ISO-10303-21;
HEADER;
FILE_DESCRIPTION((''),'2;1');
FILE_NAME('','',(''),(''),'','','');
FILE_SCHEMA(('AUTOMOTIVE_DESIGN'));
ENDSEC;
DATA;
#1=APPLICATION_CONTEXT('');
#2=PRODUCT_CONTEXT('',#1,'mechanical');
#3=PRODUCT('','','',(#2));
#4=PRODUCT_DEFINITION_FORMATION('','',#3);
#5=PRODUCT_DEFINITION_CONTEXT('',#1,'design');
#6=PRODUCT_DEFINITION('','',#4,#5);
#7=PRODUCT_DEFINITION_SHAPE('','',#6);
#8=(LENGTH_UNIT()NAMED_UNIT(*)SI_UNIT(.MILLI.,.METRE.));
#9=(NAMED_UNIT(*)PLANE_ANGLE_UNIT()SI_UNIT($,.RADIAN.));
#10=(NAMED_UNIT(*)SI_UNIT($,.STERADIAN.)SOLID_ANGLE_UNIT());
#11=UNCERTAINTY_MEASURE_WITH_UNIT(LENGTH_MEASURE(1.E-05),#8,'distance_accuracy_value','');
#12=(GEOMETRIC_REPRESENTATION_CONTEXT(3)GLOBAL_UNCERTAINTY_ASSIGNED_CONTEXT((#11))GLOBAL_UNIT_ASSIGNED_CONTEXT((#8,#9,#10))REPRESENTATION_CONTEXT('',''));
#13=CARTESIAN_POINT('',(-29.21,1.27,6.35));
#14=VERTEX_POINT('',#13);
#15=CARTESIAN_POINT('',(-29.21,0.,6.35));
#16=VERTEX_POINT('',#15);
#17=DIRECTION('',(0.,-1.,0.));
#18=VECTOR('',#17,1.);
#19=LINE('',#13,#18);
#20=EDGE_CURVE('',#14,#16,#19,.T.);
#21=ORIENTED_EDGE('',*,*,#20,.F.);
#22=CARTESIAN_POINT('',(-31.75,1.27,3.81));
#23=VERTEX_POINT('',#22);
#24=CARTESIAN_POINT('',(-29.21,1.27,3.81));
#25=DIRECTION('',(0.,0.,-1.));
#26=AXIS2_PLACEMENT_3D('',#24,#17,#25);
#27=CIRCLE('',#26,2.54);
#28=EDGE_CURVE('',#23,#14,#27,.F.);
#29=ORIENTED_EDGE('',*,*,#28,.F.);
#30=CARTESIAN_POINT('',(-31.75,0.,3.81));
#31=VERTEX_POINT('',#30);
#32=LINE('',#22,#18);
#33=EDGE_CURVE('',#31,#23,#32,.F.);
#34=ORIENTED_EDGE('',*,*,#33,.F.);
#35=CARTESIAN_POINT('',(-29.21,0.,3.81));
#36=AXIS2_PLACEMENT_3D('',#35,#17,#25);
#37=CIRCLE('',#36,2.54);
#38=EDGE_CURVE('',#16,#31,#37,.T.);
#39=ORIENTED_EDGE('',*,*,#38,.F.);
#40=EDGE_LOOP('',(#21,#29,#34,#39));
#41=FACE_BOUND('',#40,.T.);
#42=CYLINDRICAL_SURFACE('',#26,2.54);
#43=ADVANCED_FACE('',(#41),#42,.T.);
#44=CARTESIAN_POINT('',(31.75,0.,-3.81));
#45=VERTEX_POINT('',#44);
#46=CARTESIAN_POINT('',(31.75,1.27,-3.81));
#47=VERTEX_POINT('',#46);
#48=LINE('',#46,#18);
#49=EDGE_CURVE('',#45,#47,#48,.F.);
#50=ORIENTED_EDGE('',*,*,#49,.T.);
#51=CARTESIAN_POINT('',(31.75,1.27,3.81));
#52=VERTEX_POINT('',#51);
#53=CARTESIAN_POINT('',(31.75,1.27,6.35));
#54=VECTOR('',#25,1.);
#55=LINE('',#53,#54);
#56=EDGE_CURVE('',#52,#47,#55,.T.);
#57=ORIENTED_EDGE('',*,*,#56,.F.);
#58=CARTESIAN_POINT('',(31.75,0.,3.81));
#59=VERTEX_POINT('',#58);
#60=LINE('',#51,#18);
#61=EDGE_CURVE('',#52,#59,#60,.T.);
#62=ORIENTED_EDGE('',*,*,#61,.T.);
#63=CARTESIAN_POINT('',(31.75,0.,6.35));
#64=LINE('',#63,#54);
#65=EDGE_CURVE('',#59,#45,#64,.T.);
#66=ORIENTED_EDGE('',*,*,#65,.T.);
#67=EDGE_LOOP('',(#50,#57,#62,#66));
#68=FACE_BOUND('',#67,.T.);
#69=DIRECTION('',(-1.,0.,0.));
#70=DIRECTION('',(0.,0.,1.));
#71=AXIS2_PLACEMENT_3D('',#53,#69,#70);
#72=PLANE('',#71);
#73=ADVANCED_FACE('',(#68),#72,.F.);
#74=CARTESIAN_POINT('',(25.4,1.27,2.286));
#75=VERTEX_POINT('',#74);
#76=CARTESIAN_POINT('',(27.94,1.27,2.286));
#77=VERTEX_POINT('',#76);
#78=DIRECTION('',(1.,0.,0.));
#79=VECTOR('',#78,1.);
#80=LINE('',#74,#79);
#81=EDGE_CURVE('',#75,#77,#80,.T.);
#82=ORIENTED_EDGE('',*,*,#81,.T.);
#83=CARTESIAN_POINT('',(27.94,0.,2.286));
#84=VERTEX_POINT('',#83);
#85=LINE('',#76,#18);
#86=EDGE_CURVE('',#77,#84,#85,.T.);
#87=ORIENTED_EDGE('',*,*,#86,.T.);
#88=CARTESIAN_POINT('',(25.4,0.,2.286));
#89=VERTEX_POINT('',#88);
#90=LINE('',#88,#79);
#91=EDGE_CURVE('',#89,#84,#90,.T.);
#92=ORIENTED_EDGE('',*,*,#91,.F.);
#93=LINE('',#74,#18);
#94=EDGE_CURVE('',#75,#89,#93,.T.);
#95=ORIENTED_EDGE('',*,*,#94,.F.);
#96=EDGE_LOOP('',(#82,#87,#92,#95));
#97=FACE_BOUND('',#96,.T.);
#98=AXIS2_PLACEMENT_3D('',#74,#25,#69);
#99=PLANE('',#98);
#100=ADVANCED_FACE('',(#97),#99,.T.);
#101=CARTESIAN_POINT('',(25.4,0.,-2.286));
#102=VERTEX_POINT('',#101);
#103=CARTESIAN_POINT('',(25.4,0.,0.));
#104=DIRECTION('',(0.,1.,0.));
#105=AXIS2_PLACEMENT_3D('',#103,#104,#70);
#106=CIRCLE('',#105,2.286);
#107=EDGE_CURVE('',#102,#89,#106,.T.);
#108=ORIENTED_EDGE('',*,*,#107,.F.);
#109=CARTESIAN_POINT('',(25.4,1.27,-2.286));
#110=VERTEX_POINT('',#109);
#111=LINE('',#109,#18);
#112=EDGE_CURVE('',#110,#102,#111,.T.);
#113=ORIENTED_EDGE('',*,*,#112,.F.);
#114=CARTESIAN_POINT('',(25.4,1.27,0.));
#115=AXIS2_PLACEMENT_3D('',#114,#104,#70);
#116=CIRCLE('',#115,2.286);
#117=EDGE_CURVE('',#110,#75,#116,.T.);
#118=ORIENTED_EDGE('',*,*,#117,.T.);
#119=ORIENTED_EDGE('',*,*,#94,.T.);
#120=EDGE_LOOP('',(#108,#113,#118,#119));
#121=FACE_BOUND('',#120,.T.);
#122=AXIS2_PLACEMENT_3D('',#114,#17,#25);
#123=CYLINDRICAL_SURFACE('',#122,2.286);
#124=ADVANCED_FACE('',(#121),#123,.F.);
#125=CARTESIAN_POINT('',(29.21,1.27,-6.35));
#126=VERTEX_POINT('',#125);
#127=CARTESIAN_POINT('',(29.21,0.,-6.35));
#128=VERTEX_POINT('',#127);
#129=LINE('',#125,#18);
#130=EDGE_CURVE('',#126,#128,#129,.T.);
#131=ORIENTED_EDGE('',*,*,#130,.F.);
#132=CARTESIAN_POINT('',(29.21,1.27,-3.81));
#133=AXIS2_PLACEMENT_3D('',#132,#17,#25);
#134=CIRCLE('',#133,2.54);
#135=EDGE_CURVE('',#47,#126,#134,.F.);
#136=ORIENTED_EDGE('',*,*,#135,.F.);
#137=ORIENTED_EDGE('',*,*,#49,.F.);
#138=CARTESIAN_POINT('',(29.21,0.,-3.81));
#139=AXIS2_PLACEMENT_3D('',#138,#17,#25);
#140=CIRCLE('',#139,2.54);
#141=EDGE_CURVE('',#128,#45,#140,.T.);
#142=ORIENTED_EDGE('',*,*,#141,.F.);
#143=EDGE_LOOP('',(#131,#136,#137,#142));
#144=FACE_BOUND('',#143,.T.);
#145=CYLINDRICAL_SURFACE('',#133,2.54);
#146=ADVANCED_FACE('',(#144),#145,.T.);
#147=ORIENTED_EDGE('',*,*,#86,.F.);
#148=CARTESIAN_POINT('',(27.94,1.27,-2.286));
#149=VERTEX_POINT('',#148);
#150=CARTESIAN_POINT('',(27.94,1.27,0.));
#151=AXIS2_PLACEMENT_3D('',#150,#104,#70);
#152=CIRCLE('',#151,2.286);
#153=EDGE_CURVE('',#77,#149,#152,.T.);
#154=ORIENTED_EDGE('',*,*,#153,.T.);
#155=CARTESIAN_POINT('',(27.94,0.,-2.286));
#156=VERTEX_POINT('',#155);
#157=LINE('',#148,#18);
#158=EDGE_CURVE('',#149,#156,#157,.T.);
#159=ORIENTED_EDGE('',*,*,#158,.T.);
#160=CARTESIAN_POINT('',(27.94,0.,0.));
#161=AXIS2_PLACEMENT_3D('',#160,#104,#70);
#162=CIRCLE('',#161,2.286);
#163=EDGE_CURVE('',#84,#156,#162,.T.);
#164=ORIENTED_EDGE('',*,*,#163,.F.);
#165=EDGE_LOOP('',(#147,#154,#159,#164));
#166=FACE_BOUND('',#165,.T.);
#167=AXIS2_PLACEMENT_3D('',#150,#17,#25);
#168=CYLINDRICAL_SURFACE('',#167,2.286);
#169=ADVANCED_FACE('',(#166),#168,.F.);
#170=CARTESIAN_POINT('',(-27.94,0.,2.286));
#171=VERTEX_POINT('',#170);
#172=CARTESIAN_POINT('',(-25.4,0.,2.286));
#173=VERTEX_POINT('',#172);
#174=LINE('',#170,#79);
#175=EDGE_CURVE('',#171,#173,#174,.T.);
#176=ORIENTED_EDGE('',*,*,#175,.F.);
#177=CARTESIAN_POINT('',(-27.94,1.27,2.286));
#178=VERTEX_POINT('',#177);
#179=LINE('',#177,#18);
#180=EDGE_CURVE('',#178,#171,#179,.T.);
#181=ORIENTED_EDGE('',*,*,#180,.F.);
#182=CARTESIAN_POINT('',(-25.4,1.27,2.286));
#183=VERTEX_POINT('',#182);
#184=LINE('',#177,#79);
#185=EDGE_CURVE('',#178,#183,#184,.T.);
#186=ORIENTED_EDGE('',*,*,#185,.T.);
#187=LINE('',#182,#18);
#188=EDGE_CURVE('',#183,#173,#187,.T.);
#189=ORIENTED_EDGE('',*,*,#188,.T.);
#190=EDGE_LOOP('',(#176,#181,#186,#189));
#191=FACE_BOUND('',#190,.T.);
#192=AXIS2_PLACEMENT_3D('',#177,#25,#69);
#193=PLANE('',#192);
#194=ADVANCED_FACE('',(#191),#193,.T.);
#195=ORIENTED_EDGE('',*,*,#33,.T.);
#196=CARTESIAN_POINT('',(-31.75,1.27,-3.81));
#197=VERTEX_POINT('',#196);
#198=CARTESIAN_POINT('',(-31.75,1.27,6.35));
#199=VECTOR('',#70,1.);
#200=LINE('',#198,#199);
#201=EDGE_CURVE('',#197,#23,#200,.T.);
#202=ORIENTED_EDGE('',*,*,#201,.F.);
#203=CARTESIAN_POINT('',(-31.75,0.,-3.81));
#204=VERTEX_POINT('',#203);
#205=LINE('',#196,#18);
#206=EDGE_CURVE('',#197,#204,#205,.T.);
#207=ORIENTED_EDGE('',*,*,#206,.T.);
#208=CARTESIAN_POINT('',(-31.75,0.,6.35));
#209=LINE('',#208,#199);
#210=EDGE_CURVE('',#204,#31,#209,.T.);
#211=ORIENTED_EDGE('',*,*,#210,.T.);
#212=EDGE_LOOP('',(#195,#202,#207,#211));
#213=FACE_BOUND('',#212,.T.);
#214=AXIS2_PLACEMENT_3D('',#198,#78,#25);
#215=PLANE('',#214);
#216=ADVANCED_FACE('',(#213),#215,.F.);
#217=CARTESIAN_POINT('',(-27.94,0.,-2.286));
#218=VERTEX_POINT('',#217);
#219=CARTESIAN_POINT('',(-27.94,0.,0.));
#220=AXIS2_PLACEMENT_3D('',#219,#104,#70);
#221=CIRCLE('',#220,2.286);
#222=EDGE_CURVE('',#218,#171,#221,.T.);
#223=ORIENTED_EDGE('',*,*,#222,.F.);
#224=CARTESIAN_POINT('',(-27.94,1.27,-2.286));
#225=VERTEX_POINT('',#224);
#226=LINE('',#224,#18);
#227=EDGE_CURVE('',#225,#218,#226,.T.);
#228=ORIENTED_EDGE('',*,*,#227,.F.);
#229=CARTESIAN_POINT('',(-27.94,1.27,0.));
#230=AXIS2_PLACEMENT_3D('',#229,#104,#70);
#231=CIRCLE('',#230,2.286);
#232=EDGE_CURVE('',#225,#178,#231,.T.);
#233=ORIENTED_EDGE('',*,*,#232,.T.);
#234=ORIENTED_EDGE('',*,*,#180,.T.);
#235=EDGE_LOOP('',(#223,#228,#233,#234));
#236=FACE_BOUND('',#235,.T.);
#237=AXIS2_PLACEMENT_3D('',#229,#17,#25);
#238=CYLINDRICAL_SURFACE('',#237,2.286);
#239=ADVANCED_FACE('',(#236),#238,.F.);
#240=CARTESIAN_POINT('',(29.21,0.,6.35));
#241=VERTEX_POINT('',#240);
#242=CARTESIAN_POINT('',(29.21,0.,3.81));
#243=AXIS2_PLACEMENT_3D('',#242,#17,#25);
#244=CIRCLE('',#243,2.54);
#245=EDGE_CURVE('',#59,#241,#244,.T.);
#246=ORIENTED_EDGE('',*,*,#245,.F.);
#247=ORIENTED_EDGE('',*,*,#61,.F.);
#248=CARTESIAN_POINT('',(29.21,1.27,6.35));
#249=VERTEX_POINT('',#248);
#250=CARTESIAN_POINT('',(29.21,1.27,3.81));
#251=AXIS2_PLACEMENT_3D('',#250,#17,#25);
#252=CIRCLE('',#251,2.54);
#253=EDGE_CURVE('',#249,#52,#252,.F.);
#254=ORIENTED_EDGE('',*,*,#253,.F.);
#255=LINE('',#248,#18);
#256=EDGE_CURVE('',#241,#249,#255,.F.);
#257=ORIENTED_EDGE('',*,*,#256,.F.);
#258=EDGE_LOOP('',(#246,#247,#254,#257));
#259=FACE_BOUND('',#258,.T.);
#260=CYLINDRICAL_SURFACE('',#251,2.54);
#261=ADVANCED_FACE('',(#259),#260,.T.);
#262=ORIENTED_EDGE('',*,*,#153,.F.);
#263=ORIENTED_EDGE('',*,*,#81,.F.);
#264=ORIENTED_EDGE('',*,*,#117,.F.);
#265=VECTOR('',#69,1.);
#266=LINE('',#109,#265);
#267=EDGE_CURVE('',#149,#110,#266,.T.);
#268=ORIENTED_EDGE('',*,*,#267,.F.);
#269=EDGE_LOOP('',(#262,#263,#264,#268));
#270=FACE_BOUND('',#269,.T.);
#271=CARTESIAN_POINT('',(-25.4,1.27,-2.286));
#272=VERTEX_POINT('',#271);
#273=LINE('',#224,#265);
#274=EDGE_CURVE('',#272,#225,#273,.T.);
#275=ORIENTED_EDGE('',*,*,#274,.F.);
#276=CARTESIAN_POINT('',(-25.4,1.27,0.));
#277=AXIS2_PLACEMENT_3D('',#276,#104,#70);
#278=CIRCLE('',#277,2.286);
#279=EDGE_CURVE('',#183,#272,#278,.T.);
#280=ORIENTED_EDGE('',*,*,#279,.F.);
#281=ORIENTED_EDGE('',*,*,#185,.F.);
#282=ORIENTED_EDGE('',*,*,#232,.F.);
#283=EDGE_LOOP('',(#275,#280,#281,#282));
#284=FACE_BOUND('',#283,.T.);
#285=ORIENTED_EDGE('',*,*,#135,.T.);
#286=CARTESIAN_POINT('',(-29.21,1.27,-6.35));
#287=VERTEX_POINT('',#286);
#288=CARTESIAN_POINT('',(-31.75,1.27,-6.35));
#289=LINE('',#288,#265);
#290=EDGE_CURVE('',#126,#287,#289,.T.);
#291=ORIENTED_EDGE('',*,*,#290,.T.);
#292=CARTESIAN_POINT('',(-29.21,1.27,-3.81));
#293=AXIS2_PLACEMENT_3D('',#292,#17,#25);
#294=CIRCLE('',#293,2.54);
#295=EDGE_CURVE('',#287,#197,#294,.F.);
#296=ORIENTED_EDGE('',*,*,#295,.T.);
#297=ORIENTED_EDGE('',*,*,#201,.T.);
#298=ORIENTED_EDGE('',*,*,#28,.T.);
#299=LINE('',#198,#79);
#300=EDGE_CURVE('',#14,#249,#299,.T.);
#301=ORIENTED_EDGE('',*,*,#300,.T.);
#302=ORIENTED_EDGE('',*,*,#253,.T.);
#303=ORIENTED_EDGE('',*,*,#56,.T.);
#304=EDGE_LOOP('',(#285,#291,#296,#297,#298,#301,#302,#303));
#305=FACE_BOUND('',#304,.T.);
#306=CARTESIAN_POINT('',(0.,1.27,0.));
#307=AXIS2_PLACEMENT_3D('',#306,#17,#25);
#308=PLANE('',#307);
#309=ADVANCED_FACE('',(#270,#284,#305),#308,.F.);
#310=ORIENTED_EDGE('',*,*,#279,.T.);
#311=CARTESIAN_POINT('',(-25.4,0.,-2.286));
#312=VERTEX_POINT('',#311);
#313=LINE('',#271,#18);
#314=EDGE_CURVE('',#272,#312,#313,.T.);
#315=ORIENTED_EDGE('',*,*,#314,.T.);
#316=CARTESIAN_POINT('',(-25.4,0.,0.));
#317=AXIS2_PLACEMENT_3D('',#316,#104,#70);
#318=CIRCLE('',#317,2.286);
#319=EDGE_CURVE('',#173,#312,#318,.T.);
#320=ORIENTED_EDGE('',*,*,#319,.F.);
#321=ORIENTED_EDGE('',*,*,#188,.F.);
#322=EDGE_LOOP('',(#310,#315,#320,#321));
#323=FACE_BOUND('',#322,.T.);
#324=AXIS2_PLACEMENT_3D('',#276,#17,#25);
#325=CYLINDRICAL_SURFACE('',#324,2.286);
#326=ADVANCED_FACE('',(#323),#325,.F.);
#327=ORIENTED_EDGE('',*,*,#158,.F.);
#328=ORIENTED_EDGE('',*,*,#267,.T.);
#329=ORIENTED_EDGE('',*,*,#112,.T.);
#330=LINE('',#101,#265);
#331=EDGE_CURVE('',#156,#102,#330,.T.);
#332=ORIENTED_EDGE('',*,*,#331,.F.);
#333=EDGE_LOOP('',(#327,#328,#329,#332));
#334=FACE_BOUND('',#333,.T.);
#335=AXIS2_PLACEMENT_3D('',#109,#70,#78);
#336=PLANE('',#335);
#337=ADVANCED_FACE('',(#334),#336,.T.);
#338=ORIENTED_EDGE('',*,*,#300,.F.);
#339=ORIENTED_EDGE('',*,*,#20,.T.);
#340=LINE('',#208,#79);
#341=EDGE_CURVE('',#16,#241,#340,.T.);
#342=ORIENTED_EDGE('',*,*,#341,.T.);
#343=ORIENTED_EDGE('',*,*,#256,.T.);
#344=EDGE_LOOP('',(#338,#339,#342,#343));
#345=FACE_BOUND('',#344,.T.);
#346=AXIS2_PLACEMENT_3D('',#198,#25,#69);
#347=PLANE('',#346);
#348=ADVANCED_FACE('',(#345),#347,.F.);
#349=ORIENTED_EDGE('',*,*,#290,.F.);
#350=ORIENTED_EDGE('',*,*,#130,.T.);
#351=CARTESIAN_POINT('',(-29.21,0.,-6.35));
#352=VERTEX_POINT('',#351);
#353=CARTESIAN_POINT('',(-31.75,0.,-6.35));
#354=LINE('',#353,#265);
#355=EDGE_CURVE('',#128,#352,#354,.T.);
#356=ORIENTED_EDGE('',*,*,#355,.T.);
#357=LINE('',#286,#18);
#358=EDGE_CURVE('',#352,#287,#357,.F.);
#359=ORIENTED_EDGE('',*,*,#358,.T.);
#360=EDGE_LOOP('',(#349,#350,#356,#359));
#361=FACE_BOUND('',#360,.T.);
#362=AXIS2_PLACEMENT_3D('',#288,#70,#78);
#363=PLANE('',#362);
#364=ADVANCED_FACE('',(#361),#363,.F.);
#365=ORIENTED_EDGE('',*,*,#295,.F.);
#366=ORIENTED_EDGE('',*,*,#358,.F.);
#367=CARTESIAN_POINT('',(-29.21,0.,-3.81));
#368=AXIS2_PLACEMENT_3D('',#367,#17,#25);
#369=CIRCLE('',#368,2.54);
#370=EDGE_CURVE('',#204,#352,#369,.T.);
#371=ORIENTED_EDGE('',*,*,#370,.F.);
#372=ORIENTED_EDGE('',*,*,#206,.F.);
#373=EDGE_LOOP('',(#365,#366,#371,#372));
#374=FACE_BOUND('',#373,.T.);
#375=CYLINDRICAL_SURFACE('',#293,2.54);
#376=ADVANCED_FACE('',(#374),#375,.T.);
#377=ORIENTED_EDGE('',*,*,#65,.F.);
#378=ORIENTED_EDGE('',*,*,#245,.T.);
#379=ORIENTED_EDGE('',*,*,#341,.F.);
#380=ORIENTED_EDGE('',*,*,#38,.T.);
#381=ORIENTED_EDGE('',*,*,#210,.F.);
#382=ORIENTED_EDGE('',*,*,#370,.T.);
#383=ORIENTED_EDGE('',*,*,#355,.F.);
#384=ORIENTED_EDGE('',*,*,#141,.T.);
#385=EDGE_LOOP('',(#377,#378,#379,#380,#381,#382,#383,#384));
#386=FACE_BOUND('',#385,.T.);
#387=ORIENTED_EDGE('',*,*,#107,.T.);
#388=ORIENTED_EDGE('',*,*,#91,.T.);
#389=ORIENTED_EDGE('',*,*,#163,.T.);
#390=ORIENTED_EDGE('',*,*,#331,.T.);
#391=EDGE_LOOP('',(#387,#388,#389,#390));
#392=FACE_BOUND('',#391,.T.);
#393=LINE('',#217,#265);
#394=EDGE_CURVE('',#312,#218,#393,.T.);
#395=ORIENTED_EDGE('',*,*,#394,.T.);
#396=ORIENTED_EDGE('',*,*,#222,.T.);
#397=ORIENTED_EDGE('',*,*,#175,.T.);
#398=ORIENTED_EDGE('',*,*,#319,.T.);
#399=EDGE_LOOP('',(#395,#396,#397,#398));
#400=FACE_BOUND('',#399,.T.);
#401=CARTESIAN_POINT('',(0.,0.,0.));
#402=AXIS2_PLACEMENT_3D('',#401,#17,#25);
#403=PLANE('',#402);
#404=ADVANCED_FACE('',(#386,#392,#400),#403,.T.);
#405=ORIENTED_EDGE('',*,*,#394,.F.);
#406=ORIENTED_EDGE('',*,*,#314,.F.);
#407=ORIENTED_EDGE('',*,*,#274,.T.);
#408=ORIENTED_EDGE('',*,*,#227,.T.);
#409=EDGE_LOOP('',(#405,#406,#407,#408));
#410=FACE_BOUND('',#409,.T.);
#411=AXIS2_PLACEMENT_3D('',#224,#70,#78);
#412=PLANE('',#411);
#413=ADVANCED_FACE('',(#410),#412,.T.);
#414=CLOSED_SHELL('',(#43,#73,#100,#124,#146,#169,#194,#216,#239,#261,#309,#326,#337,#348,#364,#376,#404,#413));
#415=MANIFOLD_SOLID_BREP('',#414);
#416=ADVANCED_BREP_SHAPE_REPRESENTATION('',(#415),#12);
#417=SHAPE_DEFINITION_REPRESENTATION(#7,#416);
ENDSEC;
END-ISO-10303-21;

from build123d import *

# Parameters (mm, degrees)
SKETCH1_W           = 63.5
SKETCH1_H           = 12.7
BOSS_EXTRUDE1_DEPTH = 1.27
FILLET1_R           = 2.54


with BuildPart() as part:
    # Sketch1 → Boss-Extrude1 (new body)
    with BuildSketch(Plane(origin=(0, 0, 0), x_dir=(1, 0, 0), z_dir=(0, 1, 0))):
        Rectangle(SKETCH1_W, SKETCH1_H)
        with BuildLine():
            Line((25.4, 2.286), (27.94, 2.286))
            ThreePointArc((27.94, 2.286), (30.226, 0), (27.94, -2.286))
            Line((27.94, -2.286), (25.4, -2.286))
            ThreePointArc((25.4, -2.286), (23.114, 0), (25.4, 2.286))
        make_face(mode=Mode.SUBTRACT)
        with BuildLine():
            Line((-27.94, 2.286), (-25.4, 2.286))
            ThreePointArc((-25.4, 2.286), (-23.114, 0), (-25.4, -2.286))
            Line((-25.4, -2.286), (-27.94, -2.286))
            ThreePointArc((-27.94, -2.286), (-30.226, 0), (-27.94, 2.286))
        make_face(mode=Mode.SUBTRACT)
    extrude(amount=BOSS_EXTRUDE1_DEPTH)

    # Fillet1
    fillet1_edges = [part.edges().sort_by_distance(p)[0] for p in [
        (-31.75, 0.635, -6.35),
        (31.75, 0.635, -6.35),
        (31.75, 0.635, 6.35),
        (-31.75, 0.635, 6.35),
    ]]
    fillet(fillet1_edges, radius=FILLET1_R)


solid = part.part
